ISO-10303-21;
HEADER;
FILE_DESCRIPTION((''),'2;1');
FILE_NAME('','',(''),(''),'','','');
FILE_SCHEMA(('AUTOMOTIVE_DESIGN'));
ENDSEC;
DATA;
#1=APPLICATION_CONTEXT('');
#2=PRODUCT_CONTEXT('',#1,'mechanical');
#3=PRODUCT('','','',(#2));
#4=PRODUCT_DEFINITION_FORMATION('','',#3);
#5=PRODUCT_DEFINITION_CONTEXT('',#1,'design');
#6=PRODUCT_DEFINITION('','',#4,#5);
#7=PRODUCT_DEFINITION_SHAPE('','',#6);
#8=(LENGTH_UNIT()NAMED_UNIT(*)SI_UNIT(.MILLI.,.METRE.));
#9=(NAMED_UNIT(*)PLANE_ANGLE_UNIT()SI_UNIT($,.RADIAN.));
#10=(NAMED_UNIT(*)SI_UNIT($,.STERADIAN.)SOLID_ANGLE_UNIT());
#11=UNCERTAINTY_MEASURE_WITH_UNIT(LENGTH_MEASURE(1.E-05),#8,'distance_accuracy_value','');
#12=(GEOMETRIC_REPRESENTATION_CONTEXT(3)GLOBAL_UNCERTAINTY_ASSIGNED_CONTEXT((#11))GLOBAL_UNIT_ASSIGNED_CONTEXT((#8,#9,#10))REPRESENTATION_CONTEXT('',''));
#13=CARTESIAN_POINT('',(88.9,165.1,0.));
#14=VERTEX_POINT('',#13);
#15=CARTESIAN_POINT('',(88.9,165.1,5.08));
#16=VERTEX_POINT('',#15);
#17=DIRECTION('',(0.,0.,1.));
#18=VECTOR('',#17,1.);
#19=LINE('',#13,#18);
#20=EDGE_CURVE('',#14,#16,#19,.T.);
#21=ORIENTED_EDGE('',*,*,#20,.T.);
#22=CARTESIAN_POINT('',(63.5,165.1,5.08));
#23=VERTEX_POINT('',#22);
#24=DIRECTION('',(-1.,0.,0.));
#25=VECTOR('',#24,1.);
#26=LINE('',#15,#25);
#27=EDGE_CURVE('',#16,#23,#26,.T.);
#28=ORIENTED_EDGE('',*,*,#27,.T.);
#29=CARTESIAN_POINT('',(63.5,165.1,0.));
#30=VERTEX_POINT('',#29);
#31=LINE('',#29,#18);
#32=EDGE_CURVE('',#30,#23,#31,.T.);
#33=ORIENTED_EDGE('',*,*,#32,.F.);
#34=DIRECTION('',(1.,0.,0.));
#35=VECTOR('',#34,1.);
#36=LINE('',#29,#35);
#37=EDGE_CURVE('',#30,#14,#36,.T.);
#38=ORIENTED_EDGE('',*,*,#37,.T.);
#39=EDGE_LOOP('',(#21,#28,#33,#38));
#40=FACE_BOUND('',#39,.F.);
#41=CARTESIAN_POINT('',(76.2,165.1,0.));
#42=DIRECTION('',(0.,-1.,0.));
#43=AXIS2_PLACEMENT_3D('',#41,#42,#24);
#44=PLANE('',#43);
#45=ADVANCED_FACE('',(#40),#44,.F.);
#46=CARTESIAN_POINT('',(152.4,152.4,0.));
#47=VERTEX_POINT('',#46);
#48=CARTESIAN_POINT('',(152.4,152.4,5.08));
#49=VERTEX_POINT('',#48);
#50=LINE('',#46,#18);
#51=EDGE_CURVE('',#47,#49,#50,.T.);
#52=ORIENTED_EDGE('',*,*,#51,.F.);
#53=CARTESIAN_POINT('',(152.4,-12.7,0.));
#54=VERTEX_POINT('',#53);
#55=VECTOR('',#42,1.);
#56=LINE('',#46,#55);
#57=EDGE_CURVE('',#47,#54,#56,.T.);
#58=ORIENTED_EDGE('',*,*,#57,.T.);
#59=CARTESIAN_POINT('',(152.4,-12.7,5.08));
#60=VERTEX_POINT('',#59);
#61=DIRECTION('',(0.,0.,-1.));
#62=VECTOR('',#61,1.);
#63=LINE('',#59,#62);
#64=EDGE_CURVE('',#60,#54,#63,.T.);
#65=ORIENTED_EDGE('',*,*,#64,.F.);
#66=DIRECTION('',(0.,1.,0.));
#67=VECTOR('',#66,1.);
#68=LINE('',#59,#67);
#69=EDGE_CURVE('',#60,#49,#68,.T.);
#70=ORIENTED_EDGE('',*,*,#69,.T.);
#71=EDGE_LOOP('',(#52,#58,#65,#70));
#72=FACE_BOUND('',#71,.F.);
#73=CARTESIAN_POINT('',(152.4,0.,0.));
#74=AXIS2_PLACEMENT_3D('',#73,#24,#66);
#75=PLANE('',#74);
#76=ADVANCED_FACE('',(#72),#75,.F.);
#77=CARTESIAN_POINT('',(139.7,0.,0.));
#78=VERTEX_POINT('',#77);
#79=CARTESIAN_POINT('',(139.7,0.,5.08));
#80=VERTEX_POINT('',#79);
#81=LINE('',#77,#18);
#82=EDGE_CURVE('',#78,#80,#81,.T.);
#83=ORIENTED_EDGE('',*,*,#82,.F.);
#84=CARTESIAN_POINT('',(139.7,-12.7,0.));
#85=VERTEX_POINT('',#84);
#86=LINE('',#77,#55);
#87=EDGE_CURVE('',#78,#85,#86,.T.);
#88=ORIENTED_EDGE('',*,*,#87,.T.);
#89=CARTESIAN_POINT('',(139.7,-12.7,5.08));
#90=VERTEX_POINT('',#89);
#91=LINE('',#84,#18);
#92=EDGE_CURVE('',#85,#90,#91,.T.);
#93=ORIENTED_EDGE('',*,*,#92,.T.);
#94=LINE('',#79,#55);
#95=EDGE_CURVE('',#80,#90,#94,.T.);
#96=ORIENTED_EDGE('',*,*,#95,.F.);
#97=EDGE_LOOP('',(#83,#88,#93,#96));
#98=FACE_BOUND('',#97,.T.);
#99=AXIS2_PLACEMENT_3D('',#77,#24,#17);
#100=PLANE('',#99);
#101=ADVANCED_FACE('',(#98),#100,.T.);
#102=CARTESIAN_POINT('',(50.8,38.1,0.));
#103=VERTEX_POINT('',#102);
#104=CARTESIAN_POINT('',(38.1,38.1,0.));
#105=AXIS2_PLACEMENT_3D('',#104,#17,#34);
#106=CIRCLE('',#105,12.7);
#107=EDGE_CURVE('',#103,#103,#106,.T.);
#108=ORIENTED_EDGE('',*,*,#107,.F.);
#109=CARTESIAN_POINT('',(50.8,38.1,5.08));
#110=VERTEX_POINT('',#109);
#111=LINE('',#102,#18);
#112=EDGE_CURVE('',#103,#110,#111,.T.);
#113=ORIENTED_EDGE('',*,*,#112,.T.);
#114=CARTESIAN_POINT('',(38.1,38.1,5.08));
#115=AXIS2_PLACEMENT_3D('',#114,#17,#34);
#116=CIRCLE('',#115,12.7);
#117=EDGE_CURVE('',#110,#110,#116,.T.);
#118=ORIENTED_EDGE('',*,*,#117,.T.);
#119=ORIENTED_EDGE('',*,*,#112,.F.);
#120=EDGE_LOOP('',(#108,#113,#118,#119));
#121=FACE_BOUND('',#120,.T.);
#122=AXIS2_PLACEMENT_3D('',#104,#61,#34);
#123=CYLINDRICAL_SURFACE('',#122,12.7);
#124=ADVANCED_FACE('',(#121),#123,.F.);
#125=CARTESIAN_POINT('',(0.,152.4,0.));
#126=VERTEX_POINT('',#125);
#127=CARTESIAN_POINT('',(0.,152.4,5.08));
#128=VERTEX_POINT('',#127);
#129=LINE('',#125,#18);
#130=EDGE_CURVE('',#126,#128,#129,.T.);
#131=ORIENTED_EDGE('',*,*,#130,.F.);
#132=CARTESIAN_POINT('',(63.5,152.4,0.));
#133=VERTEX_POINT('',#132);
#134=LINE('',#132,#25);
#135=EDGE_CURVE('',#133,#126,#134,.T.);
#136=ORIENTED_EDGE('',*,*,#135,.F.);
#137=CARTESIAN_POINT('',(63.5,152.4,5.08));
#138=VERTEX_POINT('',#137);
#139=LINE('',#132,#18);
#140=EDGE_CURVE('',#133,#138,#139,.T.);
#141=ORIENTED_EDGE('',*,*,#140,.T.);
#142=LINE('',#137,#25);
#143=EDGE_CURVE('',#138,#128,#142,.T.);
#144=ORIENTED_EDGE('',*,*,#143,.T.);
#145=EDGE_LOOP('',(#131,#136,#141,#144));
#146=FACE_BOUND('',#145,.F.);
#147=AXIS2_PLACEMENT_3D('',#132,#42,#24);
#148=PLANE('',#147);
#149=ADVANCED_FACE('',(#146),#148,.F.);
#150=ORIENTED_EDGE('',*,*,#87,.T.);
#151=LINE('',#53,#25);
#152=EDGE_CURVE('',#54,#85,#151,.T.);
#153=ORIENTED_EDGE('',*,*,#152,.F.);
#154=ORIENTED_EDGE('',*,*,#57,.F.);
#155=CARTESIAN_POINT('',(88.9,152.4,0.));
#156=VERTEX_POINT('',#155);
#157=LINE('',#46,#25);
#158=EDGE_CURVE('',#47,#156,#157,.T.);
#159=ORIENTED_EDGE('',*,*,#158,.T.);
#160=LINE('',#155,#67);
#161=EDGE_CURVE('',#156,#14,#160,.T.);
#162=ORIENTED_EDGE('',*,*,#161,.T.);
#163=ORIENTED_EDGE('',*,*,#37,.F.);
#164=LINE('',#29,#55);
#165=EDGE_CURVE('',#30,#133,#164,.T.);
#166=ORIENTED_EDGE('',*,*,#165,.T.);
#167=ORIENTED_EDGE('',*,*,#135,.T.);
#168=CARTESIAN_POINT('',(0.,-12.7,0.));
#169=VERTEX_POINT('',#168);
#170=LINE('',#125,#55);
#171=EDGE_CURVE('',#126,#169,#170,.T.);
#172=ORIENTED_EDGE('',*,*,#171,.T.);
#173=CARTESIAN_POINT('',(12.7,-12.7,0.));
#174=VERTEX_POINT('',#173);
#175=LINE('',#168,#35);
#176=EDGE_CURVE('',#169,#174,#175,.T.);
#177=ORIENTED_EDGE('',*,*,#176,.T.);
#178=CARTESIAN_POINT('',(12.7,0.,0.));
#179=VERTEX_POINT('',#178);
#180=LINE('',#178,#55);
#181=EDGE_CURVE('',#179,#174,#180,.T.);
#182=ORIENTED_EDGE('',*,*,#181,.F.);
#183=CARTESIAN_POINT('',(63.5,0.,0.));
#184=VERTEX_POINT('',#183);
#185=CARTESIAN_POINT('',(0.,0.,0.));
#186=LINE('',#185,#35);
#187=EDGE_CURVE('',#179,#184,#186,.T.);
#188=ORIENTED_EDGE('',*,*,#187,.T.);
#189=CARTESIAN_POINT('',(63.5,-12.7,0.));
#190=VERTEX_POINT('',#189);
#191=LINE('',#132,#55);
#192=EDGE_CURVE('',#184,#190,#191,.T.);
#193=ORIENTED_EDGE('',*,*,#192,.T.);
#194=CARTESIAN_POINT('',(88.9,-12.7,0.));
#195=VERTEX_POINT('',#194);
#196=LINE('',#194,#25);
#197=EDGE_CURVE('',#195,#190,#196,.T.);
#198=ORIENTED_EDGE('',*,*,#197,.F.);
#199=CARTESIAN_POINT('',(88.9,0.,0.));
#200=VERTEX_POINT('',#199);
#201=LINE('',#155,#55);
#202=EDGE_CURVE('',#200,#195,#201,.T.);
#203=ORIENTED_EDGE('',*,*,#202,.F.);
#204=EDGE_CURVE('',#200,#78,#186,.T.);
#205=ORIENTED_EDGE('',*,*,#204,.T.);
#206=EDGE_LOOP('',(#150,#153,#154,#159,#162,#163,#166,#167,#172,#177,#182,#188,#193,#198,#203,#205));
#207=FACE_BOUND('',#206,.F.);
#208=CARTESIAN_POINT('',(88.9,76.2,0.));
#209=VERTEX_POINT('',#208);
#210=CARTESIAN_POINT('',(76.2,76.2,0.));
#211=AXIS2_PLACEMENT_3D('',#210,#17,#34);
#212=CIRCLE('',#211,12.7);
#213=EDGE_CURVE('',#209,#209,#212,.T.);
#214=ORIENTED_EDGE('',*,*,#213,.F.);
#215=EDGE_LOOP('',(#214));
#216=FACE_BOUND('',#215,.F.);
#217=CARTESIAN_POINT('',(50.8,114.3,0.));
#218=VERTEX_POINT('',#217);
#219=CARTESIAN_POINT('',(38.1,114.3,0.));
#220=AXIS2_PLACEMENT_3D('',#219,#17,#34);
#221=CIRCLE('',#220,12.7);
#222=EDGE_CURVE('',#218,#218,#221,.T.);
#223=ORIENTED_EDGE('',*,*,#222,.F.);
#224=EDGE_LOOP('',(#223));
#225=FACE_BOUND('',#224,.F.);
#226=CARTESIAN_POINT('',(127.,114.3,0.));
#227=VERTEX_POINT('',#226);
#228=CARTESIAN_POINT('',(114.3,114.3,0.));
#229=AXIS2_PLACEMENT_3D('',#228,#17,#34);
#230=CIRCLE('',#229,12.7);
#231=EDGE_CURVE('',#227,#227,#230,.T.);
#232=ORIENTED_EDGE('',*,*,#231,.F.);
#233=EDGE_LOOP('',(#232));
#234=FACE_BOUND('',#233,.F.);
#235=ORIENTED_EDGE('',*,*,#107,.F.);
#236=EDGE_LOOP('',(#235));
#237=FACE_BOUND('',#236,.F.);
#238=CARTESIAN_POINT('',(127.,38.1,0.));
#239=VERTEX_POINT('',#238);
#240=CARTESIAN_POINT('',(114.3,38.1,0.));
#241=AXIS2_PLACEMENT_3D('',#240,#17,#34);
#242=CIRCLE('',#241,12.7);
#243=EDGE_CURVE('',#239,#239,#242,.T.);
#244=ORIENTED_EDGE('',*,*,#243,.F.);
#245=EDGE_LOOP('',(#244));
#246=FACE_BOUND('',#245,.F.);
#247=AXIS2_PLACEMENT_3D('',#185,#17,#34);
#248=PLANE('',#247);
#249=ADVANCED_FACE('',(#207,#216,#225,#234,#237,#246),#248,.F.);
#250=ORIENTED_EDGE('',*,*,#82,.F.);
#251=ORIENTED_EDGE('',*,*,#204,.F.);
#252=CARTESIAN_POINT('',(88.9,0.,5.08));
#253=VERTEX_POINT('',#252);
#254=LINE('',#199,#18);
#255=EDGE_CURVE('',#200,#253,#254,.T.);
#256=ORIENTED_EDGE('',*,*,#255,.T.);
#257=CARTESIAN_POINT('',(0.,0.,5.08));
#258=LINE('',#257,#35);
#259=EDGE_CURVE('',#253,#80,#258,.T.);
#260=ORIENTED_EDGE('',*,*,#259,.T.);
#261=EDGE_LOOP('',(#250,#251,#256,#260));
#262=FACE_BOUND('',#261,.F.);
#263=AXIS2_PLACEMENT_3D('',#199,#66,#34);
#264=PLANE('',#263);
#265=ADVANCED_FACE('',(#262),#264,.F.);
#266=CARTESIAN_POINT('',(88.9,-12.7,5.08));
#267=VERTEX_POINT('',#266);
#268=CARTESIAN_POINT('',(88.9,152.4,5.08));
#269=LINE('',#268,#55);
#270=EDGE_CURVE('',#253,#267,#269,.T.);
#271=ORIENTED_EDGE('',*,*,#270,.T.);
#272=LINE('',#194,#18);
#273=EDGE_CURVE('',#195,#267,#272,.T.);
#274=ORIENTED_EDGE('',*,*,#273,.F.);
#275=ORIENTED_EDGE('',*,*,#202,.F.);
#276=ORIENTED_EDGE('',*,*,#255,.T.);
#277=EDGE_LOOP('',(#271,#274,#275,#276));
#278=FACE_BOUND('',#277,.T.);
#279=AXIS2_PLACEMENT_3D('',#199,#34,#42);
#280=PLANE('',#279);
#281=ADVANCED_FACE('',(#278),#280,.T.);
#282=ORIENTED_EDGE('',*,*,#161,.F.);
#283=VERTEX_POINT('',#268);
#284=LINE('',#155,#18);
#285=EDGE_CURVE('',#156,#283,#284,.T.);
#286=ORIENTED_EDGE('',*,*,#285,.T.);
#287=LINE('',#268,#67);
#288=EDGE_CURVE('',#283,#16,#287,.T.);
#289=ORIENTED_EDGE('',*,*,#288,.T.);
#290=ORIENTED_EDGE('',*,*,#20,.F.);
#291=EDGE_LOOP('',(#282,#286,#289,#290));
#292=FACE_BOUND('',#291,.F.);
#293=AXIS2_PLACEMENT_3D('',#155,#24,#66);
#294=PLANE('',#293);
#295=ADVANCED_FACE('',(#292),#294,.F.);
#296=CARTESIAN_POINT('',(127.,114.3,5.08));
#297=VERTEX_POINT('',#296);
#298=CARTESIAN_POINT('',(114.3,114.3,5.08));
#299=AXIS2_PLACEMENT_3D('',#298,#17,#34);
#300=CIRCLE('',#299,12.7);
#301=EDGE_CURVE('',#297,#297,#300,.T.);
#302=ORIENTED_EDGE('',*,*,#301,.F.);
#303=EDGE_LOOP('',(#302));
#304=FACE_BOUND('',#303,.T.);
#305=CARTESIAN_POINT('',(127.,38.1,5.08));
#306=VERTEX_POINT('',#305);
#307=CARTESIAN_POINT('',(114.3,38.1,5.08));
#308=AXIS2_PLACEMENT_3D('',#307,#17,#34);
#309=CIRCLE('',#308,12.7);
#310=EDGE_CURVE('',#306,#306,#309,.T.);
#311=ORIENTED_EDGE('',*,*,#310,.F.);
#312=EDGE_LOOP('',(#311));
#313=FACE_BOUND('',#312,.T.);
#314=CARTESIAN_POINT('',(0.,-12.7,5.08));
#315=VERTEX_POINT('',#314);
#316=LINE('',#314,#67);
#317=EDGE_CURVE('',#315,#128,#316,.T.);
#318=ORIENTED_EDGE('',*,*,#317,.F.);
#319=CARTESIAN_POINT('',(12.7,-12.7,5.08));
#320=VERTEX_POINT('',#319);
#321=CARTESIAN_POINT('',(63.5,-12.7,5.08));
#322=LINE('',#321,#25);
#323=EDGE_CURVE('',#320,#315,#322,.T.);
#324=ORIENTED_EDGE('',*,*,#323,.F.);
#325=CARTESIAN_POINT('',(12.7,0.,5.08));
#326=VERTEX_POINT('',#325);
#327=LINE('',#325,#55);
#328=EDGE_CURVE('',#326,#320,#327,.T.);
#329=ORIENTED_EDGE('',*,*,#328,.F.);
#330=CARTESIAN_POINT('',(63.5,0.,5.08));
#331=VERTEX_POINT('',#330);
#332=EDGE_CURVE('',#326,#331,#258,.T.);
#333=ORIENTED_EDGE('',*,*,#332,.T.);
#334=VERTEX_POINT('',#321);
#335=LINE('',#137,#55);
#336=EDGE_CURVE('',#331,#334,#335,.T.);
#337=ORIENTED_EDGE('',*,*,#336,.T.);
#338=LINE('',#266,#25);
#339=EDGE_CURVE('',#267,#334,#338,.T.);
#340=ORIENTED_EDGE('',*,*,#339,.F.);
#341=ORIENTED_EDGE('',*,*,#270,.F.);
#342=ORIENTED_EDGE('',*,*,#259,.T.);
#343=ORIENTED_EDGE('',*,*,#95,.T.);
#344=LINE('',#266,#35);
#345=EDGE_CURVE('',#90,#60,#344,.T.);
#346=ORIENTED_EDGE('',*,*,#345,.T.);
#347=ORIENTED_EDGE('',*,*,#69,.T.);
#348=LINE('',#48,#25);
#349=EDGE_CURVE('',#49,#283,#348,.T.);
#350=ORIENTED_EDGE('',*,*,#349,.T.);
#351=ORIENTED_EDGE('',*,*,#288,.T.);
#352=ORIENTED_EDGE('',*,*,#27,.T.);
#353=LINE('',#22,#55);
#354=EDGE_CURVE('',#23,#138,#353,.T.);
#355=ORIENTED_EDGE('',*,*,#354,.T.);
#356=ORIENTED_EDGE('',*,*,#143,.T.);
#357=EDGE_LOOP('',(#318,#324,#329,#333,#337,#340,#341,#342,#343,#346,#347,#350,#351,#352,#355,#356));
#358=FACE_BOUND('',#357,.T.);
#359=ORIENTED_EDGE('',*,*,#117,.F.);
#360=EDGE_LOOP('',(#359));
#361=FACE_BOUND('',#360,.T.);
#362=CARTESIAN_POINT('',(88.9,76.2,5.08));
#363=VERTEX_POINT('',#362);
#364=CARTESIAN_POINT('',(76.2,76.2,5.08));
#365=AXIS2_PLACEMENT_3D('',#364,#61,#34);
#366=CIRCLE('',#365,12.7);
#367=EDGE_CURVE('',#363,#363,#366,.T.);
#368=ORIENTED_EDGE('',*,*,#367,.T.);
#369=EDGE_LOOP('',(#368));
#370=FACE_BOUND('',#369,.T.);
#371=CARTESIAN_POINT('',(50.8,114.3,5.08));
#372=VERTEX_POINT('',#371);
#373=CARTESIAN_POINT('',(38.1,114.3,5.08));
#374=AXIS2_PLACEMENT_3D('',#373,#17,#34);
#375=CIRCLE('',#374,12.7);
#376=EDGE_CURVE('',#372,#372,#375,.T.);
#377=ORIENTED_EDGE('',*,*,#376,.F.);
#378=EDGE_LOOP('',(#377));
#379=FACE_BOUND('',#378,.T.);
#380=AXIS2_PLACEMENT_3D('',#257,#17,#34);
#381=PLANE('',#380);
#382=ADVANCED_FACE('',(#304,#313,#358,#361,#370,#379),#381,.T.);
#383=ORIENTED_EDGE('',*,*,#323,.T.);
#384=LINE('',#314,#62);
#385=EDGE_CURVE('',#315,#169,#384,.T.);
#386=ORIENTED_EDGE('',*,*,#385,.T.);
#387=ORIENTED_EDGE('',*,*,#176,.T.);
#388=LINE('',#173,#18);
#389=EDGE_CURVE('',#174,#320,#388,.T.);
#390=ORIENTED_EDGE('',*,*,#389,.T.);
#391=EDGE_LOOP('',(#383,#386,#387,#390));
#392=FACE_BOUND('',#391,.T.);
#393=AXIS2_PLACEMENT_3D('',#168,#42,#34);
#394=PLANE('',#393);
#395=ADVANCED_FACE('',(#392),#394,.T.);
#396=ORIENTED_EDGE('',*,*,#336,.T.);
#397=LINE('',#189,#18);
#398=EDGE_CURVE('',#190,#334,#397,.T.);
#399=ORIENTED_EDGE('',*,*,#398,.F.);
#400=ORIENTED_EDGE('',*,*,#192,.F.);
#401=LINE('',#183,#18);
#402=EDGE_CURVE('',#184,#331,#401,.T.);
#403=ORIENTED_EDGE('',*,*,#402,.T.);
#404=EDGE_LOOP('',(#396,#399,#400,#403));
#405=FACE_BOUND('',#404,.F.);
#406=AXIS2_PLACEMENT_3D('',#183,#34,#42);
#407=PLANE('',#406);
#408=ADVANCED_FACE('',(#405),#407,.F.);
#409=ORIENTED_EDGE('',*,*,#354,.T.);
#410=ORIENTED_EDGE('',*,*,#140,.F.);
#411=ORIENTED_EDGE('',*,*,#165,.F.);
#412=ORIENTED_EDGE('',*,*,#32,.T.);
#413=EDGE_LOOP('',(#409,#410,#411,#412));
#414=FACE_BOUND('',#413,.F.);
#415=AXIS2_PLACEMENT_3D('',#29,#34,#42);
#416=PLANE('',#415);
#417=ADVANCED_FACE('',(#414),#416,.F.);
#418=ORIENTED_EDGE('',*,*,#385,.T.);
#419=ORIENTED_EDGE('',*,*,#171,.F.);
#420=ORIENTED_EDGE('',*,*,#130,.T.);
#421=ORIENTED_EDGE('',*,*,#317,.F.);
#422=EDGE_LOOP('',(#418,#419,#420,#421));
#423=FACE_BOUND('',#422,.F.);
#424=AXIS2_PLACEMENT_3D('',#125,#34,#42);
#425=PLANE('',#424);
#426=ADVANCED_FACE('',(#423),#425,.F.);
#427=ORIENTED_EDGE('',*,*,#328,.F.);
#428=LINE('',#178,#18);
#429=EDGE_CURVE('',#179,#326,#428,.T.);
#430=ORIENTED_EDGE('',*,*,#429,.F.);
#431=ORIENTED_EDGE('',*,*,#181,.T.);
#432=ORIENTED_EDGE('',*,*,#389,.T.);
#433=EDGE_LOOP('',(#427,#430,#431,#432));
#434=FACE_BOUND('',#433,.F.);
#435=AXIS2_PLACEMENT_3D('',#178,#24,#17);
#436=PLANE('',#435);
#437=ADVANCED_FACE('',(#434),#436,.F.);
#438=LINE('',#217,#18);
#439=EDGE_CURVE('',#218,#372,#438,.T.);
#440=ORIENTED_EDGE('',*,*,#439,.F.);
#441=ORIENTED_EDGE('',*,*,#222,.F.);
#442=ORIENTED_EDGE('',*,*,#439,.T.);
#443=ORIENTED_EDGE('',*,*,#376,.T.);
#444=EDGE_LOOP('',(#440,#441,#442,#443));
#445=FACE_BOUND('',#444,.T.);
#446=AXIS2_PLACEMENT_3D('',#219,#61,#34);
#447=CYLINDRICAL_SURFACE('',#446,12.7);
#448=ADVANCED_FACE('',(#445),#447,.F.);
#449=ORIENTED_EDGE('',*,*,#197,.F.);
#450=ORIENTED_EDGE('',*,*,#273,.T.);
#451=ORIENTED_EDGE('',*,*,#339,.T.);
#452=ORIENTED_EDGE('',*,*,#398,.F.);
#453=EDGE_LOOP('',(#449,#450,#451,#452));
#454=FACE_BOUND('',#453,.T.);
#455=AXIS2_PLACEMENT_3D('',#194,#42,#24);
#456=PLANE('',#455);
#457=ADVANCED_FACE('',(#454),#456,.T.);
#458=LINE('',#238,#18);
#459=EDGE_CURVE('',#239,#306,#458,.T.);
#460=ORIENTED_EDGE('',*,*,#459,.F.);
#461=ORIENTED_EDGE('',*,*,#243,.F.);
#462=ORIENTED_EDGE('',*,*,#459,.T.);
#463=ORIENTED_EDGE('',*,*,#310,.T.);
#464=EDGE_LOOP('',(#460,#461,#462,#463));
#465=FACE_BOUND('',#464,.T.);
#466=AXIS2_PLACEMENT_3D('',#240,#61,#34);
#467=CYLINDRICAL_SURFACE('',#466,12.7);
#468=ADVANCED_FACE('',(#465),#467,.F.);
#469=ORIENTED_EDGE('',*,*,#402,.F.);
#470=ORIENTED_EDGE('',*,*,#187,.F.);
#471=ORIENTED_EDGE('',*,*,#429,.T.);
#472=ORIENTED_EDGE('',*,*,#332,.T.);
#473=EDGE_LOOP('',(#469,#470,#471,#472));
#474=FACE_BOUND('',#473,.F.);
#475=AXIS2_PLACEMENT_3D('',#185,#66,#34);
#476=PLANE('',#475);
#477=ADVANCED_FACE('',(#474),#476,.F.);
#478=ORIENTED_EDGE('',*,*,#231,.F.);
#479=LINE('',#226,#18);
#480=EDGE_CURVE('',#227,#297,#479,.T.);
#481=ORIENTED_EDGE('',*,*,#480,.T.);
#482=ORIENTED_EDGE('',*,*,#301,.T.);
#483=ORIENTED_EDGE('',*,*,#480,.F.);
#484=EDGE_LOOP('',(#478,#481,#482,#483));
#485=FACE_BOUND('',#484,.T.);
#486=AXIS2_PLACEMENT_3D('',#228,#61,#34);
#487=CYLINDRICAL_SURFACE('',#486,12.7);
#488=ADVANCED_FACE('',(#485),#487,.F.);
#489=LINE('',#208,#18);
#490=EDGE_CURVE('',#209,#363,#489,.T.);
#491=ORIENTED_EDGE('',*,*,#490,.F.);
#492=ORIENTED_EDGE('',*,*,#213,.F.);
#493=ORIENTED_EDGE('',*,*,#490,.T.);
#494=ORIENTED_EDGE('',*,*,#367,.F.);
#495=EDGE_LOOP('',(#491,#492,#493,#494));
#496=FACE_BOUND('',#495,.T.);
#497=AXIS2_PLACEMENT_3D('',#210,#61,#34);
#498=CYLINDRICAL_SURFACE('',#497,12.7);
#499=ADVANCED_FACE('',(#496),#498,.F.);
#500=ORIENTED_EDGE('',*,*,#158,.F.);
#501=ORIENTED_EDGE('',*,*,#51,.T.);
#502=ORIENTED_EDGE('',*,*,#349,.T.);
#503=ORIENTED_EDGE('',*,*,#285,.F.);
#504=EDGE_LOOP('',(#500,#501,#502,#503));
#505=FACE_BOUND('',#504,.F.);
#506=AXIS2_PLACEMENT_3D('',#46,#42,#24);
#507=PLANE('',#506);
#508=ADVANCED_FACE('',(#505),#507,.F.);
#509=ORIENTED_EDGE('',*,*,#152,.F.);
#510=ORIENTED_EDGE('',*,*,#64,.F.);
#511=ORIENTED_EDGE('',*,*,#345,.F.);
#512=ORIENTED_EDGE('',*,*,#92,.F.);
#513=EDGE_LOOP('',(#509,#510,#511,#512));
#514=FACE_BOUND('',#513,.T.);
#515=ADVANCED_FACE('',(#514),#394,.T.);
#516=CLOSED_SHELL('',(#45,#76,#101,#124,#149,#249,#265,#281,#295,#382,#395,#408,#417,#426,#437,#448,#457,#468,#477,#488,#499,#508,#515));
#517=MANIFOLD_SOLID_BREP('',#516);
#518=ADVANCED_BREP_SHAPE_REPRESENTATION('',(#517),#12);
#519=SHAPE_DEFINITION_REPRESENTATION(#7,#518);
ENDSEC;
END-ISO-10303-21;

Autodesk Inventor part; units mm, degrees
ref_plane "YZ Plane" through (0, 0, 0) normal (1, 0, 0) x (0, 1, 0)
ref_plane "XZ Plane" through (0, 0, 0) normal (0, 1, 0) x (-1, 0, 0)
ref_plane "XY Plane" through (0, 0, 0) normal (0, 0, 1) x (1, 0, 0)
sketch "Sketch1" plane through (0, 0, 0) normal (0, 0, 1) x (1, 0, 0)
  line L0 (0, 0) -> (152.4, 0)
  line L1 (152.4, 0) -> (152.4, 152.4)
  line L2 (0, 152.4) -> (0, 0)
  line L3 (88.9, 152.4) -> (88.9, 165.1)
  line L4 (88.9, 165.1) -> (76.2, 165.1)
  line L5 (76.2, 165.1) -> (63.5, 165.1)
  line L6 (63.5, 165.1) -> (63.5, 152.4)
  line L7 (152.4, 152.4) -> (88.9, 152.4)
  line L8 (63.5, 152.4) -> (0, 152.4)
  circle A0 centre (38.1, 114.3) radius 12.7
  circle A1 centre (114.3, 114.3) radius 12.7
  circle A2 centre (76.2, 76.2) radius 12.7
  circle A3 centre (38.1, 38.1) radius 12.7
  circle A4 centre (114.3, 38.1) radius 12.7
  line L9 (63.5, 152.4) -> (63.5, -12.7)
  line L10 (88.9, 152.4) -> (88.9, -12.7)
  line L11 (63.5, 0) -> (88.9, 0)
  line L12 (88.9, 0) -> (88.9, -12.7)
  line L13 (88.9, -12.7) -> (63.5, -12.7)
  line L14 (63.5, -12.7) -> (63.5, 0)
  dimension "d0" = 152.4
  dimension "d1" = 152.4
  dimension "d5" = 12.7
  dimension "d6" = 12.7
  dimension "d7" = 12.7
  dimension "d8" = 12.7
  dimension "d9" = 63.5
  dimension "d10" = 90
  dimension "d11" = 25.4
  dimension "d12" = 25.4
  dimension "d13" = 25.4
  dimension "d14" = 25.4
  dimension "d15" = 25.4
  dimension "d16" = 38.1
  dimension "d17" = 38.1
  dimension "d18" = 38.1
  dimension "d19" = 38.1
  dimension "d20" = 76.2
  dimension "d21" = 76.2
  dimension "d22" = 38.1
  dimension "d23" = 38.1
  dimension "d24" = 38.1
  dimension "d25" = 38.1
  dimension "d26" = 12.7
extrude "Extrusion1" add sketch "Sketch1" along normal blind 5.08 contours L2 L8 L9 L0 | L9 A2 L10 L0 | L0 L10 L13 L9 | L10 L7 L1 L0 | L9 L6 L5 L4 L3 L10 A2
sketch "Sketch2" plane through (0, 0, 0) normal (0, -1, 0) x (1, 0, 0)
  line L0 (63.5, 5.08) -> (0, 5.08) projected
  line L1 (0, 0) -> (12.7, 0)
  line L2 (12.7, 0) -> (12.7, 5.08)
  line L3 (12.7, 5.08) -> (0, 5.08)
  line L4 (0, 5.08) -> (0, 0)
  line L5 (88.9, 5.08) -> (152.4, 5.08) projected
  line L6 (152.4, 0) -> (139.7, 0)
  line L7 (139.7, 0) -> (139.7, 5.08)
  line L8 (139.7, 5.08) -> (152.4, 5.08)
  line L9 (152.4, 5.08) -> (152.4, 0)
  dimension "d29" = 12.7
  dimension "d31" = 12.7
extrude "Extrusion2" add sketch "Sketch2" along normal blind 12.7
properties part number "Middle Air Layer"
